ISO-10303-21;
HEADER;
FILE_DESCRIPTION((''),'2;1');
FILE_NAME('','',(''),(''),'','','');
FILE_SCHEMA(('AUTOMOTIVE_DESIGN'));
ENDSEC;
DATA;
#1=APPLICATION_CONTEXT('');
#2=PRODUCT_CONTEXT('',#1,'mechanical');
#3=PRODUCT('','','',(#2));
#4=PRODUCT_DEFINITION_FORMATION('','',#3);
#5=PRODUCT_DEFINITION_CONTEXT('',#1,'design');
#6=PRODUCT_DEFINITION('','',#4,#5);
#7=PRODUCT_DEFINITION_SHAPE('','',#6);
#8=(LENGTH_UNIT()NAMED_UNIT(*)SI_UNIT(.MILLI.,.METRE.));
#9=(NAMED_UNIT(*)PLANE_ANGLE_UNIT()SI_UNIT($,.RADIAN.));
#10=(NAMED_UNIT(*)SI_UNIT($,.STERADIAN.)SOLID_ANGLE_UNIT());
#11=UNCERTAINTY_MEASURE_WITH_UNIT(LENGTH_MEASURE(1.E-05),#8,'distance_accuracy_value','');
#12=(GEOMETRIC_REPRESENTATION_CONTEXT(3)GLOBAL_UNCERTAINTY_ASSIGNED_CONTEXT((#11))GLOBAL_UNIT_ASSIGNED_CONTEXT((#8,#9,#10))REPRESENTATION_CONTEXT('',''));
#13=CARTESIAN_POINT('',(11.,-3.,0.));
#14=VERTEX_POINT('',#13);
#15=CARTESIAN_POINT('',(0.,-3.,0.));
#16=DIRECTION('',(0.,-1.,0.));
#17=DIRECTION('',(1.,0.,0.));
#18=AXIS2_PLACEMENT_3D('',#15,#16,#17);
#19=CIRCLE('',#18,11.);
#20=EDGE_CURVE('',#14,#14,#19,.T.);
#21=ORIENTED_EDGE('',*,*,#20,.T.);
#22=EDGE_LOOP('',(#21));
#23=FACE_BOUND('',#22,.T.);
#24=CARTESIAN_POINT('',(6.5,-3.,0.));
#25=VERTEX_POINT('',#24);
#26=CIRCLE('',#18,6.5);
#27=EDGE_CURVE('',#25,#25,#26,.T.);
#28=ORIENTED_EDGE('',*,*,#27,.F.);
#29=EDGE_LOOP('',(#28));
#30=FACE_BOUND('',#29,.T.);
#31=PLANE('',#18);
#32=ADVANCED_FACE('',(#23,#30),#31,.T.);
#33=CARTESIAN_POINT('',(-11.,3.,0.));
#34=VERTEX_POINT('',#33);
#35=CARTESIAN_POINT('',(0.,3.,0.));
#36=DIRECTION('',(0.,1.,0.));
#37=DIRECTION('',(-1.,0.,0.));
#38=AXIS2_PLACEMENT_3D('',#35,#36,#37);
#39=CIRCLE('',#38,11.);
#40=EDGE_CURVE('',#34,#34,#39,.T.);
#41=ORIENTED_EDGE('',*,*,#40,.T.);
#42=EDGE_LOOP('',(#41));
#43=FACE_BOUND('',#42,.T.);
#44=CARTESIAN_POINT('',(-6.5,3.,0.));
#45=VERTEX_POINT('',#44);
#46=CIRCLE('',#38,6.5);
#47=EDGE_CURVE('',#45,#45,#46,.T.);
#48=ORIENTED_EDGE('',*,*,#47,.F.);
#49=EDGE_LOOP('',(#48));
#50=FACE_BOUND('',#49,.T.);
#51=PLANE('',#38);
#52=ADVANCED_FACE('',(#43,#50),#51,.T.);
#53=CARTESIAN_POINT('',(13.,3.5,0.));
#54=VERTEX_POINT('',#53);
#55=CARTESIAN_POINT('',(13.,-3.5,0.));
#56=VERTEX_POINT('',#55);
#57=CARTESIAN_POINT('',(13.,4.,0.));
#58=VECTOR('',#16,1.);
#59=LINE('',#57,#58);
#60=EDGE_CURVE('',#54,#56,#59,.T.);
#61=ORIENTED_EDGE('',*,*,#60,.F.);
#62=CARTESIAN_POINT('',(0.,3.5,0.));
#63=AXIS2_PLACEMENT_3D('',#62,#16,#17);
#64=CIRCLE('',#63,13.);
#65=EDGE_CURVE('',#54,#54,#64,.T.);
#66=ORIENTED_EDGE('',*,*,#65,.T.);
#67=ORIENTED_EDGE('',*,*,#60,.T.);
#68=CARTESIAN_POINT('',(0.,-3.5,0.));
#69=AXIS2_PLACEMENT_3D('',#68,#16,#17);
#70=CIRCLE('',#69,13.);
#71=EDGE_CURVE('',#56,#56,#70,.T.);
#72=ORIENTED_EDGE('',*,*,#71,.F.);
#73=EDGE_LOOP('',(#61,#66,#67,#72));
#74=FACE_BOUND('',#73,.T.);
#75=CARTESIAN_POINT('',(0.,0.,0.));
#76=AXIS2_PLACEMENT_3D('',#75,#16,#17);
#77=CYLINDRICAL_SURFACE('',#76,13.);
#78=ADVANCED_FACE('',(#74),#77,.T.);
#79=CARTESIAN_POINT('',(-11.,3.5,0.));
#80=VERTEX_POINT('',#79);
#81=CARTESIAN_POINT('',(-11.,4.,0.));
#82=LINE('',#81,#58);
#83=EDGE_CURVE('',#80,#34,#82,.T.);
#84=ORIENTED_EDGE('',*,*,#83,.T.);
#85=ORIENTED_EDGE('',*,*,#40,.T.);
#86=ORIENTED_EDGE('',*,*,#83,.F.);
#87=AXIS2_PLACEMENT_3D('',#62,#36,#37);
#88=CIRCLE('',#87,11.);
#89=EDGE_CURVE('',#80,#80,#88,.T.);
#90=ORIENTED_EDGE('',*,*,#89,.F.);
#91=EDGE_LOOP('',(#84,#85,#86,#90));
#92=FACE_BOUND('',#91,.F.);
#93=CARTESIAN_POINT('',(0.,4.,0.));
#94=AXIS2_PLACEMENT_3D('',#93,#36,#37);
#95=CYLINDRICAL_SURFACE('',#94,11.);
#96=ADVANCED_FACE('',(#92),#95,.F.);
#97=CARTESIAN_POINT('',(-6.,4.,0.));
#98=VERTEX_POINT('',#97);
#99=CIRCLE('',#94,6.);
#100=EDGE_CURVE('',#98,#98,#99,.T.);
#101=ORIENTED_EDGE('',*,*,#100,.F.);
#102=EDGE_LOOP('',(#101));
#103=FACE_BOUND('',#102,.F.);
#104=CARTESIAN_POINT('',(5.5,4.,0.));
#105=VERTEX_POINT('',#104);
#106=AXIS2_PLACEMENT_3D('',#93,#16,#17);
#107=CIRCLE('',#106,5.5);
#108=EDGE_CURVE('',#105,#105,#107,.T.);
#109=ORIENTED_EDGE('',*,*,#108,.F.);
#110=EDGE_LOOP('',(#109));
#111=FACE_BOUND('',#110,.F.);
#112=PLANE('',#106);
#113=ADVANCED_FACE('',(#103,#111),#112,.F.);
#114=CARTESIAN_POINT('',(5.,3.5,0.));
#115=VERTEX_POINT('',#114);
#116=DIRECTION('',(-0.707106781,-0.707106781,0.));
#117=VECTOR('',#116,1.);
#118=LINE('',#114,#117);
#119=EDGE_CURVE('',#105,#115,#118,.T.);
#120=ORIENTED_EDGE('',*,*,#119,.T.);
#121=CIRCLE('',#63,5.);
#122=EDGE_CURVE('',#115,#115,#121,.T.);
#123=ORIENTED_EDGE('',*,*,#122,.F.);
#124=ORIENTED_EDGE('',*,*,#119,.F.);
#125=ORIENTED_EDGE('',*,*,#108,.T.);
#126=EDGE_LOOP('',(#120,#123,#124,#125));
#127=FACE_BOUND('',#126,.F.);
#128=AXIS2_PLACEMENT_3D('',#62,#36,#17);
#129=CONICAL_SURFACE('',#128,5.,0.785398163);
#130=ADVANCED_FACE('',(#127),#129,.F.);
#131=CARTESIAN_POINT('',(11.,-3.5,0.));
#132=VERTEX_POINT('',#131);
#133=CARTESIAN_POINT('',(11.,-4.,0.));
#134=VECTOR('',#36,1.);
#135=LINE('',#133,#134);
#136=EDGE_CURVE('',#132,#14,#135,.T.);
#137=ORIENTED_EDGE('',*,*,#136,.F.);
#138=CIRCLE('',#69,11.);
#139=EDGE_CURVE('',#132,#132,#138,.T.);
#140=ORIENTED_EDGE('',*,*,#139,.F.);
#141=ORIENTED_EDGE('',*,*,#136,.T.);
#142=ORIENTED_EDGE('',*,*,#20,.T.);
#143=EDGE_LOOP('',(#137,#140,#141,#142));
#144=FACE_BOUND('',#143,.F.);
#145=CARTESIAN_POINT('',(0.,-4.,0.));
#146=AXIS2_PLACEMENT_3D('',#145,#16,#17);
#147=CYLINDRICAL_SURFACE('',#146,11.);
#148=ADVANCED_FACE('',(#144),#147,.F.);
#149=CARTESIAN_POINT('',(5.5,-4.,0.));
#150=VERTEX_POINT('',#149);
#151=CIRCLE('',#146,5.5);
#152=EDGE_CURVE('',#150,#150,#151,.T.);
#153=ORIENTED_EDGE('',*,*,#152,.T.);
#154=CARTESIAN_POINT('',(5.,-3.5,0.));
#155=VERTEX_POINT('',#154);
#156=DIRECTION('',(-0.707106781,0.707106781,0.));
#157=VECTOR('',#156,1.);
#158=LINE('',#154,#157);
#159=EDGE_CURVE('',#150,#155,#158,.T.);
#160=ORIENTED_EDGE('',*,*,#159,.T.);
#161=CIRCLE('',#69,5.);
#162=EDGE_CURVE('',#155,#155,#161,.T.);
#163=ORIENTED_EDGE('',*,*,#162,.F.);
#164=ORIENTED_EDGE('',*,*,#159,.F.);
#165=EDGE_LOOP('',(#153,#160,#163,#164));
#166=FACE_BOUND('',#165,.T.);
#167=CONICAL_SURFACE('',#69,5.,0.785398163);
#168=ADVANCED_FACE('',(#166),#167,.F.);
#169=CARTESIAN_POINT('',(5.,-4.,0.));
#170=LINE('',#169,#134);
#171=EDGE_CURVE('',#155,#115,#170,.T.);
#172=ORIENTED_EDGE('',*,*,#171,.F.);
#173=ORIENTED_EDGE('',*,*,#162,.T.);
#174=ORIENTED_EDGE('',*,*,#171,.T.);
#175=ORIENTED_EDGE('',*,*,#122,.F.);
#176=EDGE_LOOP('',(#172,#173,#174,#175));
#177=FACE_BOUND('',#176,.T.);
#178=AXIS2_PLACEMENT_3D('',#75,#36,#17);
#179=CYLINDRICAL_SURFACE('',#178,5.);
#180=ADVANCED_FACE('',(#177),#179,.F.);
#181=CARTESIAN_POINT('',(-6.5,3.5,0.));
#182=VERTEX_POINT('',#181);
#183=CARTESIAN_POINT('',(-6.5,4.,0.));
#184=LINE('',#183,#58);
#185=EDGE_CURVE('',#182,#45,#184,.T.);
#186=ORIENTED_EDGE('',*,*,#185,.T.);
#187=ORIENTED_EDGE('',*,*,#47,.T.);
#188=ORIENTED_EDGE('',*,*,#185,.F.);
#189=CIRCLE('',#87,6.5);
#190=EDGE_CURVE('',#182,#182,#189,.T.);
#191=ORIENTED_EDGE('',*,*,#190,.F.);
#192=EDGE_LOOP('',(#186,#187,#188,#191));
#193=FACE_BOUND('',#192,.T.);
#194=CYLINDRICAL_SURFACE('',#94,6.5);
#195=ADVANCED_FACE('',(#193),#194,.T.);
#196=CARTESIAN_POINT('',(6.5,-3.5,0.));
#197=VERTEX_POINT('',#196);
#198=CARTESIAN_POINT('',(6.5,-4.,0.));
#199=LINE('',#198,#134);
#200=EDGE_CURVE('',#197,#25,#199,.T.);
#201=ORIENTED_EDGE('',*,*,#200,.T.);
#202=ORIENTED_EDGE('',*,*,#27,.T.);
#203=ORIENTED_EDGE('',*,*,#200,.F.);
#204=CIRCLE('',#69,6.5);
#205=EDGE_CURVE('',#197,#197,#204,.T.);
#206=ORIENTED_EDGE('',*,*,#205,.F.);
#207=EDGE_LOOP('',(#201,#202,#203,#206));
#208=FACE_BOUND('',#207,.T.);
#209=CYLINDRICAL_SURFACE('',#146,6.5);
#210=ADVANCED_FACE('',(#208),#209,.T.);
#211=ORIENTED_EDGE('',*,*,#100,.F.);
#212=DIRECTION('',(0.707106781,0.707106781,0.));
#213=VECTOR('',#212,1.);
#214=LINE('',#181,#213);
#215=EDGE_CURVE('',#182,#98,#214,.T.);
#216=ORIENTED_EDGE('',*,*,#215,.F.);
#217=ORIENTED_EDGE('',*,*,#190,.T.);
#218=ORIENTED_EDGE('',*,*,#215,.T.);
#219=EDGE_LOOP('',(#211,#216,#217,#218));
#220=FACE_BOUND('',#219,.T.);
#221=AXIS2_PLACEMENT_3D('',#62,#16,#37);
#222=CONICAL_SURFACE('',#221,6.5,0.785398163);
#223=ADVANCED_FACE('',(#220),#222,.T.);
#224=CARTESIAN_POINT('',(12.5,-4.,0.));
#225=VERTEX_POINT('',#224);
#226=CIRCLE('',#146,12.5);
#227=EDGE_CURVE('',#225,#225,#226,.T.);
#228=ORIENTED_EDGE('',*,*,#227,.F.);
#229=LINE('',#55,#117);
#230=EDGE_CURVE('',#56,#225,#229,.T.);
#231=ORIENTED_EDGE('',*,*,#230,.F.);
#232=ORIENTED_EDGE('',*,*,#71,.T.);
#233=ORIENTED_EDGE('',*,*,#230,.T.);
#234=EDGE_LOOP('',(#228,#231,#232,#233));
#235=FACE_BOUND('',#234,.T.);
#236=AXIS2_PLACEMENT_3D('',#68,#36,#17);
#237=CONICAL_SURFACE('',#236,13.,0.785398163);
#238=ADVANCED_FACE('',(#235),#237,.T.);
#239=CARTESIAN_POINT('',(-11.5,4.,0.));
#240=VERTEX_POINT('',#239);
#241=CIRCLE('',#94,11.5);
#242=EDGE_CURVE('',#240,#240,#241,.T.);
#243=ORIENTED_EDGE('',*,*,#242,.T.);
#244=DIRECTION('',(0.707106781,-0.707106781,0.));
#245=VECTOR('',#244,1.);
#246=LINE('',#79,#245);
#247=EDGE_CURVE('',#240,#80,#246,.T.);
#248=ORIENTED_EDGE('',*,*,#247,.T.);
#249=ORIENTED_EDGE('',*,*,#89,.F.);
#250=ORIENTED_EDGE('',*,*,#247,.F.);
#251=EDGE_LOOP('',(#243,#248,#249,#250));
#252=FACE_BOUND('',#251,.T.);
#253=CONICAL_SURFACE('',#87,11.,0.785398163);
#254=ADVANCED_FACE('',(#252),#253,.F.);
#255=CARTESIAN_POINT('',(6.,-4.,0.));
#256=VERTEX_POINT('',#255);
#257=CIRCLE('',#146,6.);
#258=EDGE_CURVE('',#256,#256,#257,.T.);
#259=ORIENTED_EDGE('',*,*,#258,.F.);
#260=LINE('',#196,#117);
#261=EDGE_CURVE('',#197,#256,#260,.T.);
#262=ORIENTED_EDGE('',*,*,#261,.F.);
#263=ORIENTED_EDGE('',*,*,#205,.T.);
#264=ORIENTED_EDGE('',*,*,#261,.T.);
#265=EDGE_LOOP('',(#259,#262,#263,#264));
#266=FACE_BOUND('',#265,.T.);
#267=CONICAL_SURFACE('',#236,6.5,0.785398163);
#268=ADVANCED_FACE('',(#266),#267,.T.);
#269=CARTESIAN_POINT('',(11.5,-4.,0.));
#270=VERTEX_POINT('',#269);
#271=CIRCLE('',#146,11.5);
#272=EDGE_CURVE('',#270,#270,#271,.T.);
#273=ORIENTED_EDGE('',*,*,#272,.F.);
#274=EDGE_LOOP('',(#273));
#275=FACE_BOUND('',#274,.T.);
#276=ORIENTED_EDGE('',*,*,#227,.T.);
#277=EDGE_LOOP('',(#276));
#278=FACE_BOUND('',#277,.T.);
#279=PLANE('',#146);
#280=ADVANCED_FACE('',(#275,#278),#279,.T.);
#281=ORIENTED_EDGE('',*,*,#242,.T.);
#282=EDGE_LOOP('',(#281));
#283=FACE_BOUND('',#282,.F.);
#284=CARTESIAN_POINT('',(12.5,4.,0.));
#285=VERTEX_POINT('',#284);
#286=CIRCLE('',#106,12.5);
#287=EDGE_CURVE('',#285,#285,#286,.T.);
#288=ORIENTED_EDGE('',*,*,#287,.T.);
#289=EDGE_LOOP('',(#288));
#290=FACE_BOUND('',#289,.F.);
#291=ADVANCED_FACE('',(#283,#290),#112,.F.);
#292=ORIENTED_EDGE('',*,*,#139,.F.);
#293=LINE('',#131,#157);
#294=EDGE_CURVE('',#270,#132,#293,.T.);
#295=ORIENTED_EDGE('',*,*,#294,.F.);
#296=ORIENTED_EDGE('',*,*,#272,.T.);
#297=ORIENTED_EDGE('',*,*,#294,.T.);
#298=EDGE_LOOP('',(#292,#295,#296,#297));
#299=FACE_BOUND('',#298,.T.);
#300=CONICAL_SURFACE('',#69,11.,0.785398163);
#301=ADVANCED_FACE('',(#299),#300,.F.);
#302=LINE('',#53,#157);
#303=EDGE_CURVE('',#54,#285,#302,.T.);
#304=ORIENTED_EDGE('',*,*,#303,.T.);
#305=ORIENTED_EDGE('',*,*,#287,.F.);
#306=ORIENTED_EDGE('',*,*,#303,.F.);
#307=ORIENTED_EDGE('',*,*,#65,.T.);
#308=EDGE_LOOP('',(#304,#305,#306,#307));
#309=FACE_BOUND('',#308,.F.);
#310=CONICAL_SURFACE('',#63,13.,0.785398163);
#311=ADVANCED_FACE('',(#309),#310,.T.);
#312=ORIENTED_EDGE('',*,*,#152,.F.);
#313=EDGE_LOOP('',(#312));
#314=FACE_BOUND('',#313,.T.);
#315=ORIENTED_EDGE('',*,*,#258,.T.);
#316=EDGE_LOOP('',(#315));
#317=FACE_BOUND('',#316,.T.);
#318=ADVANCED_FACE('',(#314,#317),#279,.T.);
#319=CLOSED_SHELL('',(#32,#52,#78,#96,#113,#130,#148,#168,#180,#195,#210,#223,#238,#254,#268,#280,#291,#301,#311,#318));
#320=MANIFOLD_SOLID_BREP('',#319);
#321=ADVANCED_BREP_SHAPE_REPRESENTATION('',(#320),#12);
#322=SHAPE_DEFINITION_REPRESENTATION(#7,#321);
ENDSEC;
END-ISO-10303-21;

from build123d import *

# Parameters (mm, degrees)
F0_R     = 13
F0_R_2   = 5
F1_DEPTH = 4
F2_R     = 11
F2_R_2   = 6.5
F4_DEPTH = 1
F3_R     = 11
F3_R_2   = 6.5
F5_DEPTH = 1
F6_SIZE  = 0.5


with BuildPart() as f1:
    # F0 (on Front) → F1 (new body, symmetric)
    with BuildSketch(Plane.XZ):
        Circle(F0_R)
        Circle(F0_R_2, mode=Mode.SUBTRACT)
    extrude(amount=F1_DEPTH, both=True)

    # F2 (on face) → F4 (cut)
    with BuildSketch(Plane(origin=(0, 4, 0), x_dir=(-1, 0, 0), z_dir=(0, 1, 0))):
        Circle(F2_R)
        Circle(F2_R_2, mode=Mode.SUBTRACT)
    extrude(amount=-F4_DEPTH, mode=Mode.SUBTRACT)

    # F3 (on face) → F5 (cut)
    with BuildSketch(Plane.XZ.offset(4)):
        Circle(F3_R)
        Circle(F3_R_2, mode=Mode.SUBTRACT)
    extrude(amount=-F5_DEPTH, mode=Mode.SUBTRACT)

    # F6
    f6_edges = [f1.edges().sort_by_distance(p)[0] for p in [
        (-13, 4, 0),
        (-13, -4, 0),
        (-5, -4, 0),
        (-5, 4, 0),
        (6.5, 4, 0),
        (11, 4, 0),
        (-11, -4, 0),
        (-6.5, -4, 0),
    ]]
    chamfer(f6_edges, length=F6_SIZE)


solid = f1.part
